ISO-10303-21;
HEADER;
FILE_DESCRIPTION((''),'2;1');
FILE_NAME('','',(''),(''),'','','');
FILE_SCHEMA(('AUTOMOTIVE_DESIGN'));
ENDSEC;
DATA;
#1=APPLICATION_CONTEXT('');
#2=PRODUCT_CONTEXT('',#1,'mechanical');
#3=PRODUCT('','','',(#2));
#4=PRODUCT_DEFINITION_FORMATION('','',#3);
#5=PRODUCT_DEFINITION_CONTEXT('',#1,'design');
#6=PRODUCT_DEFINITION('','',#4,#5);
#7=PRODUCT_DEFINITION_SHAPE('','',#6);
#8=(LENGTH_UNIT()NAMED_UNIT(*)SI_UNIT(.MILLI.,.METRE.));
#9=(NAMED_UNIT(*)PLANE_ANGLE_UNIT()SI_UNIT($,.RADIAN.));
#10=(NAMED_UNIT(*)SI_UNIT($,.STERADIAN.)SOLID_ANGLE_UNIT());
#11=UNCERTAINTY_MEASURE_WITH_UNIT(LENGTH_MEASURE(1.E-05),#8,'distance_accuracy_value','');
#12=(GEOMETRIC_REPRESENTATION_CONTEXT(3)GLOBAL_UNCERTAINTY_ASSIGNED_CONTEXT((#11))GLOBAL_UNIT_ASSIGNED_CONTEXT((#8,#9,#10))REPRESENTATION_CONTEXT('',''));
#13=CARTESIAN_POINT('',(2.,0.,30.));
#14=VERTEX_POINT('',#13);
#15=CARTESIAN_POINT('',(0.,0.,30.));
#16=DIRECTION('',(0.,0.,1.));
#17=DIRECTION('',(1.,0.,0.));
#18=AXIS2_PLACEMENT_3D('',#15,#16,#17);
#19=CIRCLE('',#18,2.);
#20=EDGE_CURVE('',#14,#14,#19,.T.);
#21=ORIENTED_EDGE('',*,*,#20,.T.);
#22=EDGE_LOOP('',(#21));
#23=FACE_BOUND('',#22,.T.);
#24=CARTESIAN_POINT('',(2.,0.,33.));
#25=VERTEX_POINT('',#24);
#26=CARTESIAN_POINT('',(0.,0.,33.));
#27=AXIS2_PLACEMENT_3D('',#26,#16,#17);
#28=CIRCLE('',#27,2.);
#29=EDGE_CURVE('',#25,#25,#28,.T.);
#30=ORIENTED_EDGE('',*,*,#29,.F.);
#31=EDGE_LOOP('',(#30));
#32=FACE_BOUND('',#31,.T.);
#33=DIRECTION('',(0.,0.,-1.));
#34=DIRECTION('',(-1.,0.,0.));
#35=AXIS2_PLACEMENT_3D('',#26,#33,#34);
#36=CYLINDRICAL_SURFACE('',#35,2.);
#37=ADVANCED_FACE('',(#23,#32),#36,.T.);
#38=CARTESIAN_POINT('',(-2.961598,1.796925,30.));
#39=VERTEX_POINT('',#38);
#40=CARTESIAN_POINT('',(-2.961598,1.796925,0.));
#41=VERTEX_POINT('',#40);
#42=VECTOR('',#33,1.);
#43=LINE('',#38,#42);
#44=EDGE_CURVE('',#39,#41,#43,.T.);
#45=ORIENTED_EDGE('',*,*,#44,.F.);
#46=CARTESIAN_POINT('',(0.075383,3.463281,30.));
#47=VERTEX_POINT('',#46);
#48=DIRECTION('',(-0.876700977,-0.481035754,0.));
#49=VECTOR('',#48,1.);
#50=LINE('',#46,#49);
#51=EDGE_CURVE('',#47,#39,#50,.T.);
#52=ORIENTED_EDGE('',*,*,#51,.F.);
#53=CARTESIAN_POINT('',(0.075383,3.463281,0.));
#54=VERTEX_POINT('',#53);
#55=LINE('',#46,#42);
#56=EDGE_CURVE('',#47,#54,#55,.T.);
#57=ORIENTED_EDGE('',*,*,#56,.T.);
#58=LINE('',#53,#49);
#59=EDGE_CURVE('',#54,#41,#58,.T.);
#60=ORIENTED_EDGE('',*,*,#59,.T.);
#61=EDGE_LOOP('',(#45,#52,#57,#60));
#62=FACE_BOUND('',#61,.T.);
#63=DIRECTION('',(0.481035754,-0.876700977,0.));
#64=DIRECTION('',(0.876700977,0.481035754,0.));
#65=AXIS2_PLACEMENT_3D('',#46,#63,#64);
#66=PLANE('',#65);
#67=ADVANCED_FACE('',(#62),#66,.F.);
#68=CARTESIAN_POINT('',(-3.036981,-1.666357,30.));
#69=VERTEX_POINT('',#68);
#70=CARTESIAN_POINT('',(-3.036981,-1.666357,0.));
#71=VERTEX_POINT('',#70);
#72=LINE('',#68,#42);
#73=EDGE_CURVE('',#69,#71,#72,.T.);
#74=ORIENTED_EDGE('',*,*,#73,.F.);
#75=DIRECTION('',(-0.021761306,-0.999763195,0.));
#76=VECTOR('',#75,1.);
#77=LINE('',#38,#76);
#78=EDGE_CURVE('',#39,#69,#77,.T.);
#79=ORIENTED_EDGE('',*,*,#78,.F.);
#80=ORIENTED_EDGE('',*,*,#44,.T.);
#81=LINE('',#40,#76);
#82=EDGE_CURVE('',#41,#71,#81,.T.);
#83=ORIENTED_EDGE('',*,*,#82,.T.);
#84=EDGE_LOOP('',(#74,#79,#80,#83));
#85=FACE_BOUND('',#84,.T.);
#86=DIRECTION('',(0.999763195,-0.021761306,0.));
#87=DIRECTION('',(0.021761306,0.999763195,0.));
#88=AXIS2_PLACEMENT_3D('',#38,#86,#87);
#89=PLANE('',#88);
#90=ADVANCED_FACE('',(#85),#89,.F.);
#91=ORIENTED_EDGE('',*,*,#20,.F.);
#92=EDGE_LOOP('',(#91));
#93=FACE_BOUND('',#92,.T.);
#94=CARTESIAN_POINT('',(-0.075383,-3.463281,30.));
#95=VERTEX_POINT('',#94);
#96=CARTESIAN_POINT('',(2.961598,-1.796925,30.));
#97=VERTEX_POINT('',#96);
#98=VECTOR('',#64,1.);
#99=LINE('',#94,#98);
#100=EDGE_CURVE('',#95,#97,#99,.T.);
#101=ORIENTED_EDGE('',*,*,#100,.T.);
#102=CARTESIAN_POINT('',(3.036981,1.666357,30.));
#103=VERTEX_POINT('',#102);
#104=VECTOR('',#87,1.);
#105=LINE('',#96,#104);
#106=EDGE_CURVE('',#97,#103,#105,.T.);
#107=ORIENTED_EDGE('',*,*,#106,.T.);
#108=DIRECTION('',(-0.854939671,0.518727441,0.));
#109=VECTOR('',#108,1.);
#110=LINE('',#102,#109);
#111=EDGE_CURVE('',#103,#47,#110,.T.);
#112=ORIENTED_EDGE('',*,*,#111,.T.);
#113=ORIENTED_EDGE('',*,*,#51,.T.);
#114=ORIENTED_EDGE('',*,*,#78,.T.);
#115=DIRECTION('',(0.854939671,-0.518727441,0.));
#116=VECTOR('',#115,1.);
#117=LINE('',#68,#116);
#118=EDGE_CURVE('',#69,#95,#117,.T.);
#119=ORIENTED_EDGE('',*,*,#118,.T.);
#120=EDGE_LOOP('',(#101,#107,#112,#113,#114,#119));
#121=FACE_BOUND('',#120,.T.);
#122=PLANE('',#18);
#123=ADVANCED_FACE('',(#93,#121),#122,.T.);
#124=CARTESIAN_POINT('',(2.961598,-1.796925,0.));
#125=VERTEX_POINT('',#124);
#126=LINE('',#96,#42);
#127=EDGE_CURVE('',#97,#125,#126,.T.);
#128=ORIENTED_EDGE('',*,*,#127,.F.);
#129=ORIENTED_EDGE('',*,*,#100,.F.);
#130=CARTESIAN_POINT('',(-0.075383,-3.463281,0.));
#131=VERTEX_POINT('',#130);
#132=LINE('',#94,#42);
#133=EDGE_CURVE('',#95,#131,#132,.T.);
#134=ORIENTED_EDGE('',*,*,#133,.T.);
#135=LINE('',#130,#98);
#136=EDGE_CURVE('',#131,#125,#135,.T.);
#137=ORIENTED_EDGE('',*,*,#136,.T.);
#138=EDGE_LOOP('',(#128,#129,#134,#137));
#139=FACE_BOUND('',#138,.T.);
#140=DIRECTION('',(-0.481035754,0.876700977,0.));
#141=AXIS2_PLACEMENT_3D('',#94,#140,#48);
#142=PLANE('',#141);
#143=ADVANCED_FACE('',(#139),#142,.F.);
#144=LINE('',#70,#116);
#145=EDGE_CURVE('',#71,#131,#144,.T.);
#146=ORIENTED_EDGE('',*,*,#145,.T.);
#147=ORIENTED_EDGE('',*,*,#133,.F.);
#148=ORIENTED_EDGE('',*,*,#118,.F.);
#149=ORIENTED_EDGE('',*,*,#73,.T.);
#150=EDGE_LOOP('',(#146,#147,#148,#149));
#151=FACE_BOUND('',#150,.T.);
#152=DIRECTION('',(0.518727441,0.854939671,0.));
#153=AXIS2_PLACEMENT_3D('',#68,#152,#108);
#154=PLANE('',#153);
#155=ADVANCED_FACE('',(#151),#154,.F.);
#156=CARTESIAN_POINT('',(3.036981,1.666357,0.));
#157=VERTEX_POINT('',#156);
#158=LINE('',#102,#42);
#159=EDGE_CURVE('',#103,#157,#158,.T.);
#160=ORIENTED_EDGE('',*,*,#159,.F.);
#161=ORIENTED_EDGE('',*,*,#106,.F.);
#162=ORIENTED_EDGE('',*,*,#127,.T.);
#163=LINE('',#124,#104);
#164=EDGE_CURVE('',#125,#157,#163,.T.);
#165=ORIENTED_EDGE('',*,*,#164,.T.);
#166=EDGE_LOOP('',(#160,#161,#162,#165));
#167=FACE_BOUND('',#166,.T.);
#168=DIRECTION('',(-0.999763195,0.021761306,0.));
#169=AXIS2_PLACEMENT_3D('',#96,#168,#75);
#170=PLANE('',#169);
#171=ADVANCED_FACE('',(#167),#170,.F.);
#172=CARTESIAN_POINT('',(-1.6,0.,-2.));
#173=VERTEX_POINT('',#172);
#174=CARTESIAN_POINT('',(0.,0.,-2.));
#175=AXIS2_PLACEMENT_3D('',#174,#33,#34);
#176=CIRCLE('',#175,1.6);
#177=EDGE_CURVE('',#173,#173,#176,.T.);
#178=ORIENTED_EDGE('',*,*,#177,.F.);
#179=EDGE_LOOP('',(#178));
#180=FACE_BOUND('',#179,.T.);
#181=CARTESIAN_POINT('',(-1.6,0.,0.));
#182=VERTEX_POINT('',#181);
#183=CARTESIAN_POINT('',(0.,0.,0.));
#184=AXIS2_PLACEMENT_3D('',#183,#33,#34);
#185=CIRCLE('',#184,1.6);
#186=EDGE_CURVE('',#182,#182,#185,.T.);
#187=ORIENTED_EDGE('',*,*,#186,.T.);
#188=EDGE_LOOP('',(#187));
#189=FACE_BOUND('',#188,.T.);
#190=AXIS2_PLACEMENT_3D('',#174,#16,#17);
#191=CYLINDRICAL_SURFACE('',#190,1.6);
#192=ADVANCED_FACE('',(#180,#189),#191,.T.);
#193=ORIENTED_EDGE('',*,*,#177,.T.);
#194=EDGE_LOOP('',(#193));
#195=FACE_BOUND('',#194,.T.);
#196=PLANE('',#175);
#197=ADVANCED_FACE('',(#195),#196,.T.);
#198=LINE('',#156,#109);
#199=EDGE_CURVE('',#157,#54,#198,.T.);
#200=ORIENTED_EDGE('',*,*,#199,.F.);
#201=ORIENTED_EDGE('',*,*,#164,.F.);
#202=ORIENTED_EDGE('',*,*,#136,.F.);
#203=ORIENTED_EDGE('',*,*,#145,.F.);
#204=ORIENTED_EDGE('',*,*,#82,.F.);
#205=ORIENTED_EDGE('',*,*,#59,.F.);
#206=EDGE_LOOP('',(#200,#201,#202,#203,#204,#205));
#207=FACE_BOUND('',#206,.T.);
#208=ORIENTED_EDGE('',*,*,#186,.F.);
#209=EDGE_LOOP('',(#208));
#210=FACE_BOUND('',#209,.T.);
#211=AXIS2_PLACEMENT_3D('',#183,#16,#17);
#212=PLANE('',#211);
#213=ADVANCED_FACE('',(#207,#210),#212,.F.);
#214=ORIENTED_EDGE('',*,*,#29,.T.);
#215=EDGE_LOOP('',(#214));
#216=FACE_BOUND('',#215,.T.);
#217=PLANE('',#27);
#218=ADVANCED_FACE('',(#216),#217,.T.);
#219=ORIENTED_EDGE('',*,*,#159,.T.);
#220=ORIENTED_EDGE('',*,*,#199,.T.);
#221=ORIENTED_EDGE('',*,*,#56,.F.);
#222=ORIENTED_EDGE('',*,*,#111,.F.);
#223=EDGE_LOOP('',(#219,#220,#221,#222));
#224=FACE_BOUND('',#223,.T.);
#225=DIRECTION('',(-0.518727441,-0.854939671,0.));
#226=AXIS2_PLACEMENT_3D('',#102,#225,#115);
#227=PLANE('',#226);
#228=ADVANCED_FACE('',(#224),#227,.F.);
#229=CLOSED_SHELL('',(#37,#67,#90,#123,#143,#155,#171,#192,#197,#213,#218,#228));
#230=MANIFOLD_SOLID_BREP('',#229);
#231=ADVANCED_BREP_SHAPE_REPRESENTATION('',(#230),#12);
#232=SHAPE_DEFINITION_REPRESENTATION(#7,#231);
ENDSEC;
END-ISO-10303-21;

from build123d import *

# Parameters (mm, degrees)
BOSS_EXTRUDE1_DEPTH = 30
SKETCH2_R           = 2
BOSS_EXTRUDE2_DEPTH = 3
SKETCH3_R           = 1.6
BOSS_EXTRUDE3_DEPTH = 2


with BuildPart() as part:
    # Sketch1 → Boss-Extrude1 (new body)
    with BuildSketch(Plane.XY):
        Polygon((2.961597897, -1.796924567), (3.036981272, 1.666356731), (0.075383375, 3.463281298), (-2.961597897, 1.796924567), (-3.036981272, -1.666356731), (-0.075383375, -3.463281298), align=None)
    extrude(amount=BOSS_EXTRUDE1_DEPTH)

    # Sketch2 → Boss-Extrude2 (add)
    with BuildSketch(Plane.XY.offset(30)):
        Circle(SKETCH2_R)
    extrude(amount=BOSS_EXTRUDE2_DEPTH)

    # Sketch3 → Boss-Extrude3 (add)
    with BuildSketch(Plane(origin=(0, 0, 0), x_dir=(-1, 0, 0), z_dir=(0, 0, -1))):
        Circle(SKETCH3_R)
    extrude(amount=BOSS_EXTRUDE3_DEPTH)


solid = part.part
